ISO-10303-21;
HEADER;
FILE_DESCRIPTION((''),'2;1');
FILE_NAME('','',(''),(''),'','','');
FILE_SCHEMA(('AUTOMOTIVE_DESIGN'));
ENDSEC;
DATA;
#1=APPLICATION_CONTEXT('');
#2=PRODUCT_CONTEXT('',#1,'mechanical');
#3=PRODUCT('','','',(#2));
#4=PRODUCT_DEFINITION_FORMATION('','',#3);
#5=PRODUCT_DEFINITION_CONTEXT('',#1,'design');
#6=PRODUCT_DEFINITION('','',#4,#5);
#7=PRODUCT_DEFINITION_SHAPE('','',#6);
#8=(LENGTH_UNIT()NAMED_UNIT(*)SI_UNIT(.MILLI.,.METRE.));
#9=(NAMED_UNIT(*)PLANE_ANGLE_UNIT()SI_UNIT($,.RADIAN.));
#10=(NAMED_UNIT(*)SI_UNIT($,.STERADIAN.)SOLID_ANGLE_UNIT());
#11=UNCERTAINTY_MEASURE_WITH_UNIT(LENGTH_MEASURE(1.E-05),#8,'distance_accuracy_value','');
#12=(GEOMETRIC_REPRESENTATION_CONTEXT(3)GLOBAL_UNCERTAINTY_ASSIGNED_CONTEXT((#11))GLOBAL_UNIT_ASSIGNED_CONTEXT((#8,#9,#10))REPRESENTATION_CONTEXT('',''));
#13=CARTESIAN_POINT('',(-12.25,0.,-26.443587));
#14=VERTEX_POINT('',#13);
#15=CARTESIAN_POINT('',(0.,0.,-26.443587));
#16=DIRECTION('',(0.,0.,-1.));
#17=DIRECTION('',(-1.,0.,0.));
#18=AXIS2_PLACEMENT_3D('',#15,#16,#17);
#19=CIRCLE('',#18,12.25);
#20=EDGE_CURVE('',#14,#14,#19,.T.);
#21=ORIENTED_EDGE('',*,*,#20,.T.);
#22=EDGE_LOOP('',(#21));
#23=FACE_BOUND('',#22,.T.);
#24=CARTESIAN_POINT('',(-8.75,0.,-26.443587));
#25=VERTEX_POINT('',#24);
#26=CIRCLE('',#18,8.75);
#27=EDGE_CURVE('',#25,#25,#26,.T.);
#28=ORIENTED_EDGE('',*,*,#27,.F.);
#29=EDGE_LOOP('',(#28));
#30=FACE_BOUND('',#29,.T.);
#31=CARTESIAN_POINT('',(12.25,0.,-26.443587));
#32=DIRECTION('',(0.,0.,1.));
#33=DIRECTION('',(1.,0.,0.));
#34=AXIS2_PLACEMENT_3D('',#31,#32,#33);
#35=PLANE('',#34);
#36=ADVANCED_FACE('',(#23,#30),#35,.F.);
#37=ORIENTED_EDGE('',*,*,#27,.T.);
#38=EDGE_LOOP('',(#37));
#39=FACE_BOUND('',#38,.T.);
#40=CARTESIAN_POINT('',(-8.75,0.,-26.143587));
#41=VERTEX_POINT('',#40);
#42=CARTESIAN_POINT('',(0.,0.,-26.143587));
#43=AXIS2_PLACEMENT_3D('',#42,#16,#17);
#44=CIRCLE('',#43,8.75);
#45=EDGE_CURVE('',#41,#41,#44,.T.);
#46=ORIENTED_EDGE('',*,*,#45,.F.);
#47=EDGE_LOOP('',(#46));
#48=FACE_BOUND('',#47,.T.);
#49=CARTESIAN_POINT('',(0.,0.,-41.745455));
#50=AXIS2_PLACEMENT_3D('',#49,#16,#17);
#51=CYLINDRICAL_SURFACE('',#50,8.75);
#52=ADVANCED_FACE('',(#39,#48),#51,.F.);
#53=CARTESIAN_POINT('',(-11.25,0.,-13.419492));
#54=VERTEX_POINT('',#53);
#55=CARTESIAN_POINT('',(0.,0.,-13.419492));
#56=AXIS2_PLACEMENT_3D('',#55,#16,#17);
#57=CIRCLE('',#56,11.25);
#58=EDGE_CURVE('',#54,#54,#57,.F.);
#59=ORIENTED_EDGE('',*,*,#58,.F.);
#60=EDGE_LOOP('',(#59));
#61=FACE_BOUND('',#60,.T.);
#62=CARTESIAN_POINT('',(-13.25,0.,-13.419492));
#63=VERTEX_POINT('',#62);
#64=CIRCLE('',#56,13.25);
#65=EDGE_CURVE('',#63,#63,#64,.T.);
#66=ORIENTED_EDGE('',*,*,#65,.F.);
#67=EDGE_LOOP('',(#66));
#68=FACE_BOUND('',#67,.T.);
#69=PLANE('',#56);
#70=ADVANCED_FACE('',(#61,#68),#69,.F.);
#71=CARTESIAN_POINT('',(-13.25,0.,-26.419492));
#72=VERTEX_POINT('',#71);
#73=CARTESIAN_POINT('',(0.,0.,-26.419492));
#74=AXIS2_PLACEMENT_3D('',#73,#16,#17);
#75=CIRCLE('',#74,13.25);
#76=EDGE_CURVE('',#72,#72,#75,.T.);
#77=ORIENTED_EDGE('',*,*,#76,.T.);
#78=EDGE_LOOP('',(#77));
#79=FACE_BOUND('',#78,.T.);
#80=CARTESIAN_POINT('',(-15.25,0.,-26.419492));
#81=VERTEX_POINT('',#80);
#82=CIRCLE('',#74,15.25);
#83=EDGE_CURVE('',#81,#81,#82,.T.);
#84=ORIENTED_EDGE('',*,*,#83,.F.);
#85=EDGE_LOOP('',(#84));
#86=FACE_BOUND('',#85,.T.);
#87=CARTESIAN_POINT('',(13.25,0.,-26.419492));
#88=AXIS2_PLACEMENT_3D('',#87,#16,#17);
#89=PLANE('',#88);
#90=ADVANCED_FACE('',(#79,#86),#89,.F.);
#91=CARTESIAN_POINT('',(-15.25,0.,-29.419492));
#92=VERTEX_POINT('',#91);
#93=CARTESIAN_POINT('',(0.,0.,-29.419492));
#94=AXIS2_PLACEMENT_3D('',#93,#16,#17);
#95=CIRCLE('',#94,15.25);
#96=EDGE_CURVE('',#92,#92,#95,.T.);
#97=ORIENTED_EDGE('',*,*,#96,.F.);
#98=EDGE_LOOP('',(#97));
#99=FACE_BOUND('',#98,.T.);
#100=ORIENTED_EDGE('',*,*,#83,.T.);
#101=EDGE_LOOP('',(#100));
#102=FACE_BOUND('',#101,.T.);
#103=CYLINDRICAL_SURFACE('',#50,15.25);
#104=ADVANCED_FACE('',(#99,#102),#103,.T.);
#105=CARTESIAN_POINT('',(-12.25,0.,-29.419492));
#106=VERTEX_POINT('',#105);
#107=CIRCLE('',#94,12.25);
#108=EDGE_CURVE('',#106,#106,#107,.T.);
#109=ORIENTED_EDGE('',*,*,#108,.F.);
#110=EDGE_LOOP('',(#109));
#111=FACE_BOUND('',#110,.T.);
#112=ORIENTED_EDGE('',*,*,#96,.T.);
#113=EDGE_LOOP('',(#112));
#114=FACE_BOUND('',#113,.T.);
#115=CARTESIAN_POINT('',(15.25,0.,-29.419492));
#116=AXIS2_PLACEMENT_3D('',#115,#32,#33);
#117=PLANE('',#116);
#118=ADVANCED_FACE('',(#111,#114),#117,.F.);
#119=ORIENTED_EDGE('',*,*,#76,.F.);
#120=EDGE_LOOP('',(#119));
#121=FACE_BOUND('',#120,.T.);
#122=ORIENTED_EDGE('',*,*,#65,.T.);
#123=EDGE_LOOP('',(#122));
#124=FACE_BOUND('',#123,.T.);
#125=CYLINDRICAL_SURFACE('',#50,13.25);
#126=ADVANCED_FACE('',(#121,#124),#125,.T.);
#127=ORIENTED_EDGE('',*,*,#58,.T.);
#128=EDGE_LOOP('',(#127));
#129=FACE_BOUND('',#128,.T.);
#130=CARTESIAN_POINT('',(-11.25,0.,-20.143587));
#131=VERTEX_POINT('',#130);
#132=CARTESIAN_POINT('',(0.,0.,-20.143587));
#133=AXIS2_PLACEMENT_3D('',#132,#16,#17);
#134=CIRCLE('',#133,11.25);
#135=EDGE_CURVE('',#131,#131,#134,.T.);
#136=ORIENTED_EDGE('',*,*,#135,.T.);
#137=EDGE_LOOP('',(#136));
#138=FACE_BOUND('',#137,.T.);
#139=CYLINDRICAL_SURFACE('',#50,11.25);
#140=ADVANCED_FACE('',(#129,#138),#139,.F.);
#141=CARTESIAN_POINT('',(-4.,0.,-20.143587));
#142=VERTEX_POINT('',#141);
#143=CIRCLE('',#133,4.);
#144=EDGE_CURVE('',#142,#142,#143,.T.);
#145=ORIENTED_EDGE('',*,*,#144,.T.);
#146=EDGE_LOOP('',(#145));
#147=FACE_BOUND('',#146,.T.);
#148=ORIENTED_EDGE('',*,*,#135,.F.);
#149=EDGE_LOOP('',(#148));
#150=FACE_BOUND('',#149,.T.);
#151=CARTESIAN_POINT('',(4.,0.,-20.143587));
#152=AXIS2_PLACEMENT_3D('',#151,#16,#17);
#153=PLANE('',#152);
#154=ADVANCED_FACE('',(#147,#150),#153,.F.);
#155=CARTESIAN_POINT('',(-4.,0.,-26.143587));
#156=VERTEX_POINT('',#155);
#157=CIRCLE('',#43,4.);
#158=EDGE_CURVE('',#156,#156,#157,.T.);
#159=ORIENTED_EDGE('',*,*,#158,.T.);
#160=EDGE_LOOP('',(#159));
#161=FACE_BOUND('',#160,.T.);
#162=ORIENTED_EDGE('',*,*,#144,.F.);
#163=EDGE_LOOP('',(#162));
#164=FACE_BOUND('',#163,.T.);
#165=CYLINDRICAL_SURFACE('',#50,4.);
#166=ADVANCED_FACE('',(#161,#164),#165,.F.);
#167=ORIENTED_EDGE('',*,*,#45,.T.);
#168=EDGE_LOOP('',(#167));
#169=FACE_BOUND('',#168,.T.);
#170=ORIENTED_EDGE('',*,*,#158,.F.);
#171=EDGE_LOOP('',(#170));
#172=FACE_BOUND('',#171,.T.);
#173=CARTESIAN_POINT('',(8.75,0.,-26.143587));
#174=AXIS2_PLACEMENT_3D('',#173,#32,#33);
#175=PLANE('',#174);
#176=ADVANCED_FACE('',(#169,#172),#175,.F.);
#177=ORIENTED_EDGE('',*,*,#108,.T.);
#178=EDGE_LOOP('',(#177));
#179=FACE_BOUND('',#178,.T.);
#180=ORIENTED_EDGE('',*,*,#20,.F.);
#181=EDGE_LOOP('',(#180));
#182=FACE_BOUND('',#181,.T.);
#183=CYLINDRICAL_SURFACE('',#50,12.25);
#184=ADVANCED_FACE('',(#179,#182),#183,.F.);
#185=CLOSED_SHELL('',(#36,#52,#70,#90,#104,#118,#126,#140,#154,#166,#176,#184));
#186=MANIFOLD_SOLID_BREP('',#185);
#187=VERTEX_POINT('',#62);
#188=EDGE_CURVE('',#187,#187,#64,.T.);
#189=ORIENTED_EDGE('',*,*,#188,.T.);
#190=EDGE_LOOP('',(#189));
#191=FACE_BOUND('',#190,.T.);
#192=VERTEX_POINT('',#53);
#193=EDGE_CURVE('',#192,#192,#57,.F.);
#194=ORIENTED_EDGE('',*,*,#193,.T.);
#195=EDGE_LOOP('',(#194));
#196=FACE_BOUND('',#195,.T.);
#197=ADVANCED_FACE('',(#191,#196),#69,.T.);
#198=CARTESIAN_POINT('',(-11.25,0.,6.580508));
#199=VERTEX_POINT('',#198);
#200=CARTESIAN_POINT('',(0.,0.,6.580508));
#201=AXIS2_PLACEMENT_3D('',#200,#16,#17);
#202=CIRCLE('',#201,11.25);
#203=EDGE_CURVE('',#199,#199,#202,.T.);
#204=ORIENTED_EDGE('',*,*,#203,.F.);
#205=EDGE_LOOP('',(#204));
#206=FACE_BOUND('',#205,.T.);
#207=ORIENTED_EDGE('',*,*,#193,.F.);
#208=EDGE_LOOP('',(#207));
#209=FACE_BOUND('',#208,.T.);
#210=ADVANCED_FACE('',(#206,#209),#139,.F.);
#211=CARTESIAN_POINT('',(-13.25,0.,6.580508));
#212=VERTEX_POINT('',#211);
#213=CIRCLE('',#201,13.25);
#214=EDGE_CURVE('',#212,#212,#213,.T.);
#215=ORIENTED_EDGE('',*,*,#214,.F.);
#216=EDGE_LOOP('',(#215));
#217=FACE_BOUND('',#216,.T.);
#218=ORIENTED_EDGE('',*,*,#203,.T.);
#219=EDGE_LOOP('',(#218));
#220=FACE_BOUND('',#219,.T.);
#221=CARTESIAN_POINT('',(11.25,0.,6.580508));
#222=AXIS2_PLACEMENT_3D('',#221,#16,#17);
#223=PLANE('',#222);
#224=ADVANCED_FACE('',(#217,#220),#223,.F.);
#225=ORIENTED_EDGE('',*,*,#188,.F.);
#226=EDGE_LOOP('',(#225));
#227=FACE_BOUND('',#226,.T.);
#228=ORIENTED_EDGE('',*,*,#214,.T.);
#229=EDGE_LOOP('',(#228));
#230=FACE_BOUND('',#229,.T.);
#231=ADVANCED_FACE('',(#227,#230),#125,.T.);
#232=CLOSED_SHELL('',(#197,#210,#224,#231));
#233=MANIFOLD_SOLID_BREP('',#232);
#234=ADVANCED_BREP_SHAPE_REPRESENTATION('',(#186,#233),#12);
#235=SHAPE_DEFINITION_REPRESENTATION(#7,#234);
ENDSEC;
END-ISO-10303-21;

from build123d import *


with BuildPart() as part:
    # Croquis1 → Revolución1 (revolve)
    with BuildSketch(Plane(origin=(0, 0, 0), x_dir=(1, 0, 0), z_dir=(0, 1, 0)), mode=Mode.PRIVATE) as revoluci_n1_sk:
        Polygon((11.25, -6.580508167), (11.25, 20.143587236), (4, 20.143587236), (4, 26.143587236), (8.75, 26.143587236), (8.75, 26.443587236), (12.25, 26.443587236), (12.25, 29.419491833), (15.25, 29.419491833), (15.25, 26.419491833), (13.25, 26.419491833), (13.25, -6.580508167), align=None)
    revolve(revoluci_n1_sk.sketch.rotate(Axis((0, 0, -41.745454545), (0, 0, 1)), 180), axis=Axis((0, 0, -41.745454545), (0, 0, 1)))


with BuildPart() as body_2:
    # Partir1: the piece on the far side of the plane
    add(part.part)
    split(bisect_by=Plane(origin=(0, 0, -13.419491833), x_dir=(-1, 0, 0), z_dir=(0, 0, -1)), keep=Keep.BOTTOM)


with BuildPart() as part_1:
    add(part.part)

    # Partir1
    split(bisect_by=Plane(origin=(0, 0, -13.419491833), x_dir=(-1, 0, 0), z_dir=(0, 0, -1)), keep=Keep.TOP)


solid = Compound([body_2.part, part_1.part])
